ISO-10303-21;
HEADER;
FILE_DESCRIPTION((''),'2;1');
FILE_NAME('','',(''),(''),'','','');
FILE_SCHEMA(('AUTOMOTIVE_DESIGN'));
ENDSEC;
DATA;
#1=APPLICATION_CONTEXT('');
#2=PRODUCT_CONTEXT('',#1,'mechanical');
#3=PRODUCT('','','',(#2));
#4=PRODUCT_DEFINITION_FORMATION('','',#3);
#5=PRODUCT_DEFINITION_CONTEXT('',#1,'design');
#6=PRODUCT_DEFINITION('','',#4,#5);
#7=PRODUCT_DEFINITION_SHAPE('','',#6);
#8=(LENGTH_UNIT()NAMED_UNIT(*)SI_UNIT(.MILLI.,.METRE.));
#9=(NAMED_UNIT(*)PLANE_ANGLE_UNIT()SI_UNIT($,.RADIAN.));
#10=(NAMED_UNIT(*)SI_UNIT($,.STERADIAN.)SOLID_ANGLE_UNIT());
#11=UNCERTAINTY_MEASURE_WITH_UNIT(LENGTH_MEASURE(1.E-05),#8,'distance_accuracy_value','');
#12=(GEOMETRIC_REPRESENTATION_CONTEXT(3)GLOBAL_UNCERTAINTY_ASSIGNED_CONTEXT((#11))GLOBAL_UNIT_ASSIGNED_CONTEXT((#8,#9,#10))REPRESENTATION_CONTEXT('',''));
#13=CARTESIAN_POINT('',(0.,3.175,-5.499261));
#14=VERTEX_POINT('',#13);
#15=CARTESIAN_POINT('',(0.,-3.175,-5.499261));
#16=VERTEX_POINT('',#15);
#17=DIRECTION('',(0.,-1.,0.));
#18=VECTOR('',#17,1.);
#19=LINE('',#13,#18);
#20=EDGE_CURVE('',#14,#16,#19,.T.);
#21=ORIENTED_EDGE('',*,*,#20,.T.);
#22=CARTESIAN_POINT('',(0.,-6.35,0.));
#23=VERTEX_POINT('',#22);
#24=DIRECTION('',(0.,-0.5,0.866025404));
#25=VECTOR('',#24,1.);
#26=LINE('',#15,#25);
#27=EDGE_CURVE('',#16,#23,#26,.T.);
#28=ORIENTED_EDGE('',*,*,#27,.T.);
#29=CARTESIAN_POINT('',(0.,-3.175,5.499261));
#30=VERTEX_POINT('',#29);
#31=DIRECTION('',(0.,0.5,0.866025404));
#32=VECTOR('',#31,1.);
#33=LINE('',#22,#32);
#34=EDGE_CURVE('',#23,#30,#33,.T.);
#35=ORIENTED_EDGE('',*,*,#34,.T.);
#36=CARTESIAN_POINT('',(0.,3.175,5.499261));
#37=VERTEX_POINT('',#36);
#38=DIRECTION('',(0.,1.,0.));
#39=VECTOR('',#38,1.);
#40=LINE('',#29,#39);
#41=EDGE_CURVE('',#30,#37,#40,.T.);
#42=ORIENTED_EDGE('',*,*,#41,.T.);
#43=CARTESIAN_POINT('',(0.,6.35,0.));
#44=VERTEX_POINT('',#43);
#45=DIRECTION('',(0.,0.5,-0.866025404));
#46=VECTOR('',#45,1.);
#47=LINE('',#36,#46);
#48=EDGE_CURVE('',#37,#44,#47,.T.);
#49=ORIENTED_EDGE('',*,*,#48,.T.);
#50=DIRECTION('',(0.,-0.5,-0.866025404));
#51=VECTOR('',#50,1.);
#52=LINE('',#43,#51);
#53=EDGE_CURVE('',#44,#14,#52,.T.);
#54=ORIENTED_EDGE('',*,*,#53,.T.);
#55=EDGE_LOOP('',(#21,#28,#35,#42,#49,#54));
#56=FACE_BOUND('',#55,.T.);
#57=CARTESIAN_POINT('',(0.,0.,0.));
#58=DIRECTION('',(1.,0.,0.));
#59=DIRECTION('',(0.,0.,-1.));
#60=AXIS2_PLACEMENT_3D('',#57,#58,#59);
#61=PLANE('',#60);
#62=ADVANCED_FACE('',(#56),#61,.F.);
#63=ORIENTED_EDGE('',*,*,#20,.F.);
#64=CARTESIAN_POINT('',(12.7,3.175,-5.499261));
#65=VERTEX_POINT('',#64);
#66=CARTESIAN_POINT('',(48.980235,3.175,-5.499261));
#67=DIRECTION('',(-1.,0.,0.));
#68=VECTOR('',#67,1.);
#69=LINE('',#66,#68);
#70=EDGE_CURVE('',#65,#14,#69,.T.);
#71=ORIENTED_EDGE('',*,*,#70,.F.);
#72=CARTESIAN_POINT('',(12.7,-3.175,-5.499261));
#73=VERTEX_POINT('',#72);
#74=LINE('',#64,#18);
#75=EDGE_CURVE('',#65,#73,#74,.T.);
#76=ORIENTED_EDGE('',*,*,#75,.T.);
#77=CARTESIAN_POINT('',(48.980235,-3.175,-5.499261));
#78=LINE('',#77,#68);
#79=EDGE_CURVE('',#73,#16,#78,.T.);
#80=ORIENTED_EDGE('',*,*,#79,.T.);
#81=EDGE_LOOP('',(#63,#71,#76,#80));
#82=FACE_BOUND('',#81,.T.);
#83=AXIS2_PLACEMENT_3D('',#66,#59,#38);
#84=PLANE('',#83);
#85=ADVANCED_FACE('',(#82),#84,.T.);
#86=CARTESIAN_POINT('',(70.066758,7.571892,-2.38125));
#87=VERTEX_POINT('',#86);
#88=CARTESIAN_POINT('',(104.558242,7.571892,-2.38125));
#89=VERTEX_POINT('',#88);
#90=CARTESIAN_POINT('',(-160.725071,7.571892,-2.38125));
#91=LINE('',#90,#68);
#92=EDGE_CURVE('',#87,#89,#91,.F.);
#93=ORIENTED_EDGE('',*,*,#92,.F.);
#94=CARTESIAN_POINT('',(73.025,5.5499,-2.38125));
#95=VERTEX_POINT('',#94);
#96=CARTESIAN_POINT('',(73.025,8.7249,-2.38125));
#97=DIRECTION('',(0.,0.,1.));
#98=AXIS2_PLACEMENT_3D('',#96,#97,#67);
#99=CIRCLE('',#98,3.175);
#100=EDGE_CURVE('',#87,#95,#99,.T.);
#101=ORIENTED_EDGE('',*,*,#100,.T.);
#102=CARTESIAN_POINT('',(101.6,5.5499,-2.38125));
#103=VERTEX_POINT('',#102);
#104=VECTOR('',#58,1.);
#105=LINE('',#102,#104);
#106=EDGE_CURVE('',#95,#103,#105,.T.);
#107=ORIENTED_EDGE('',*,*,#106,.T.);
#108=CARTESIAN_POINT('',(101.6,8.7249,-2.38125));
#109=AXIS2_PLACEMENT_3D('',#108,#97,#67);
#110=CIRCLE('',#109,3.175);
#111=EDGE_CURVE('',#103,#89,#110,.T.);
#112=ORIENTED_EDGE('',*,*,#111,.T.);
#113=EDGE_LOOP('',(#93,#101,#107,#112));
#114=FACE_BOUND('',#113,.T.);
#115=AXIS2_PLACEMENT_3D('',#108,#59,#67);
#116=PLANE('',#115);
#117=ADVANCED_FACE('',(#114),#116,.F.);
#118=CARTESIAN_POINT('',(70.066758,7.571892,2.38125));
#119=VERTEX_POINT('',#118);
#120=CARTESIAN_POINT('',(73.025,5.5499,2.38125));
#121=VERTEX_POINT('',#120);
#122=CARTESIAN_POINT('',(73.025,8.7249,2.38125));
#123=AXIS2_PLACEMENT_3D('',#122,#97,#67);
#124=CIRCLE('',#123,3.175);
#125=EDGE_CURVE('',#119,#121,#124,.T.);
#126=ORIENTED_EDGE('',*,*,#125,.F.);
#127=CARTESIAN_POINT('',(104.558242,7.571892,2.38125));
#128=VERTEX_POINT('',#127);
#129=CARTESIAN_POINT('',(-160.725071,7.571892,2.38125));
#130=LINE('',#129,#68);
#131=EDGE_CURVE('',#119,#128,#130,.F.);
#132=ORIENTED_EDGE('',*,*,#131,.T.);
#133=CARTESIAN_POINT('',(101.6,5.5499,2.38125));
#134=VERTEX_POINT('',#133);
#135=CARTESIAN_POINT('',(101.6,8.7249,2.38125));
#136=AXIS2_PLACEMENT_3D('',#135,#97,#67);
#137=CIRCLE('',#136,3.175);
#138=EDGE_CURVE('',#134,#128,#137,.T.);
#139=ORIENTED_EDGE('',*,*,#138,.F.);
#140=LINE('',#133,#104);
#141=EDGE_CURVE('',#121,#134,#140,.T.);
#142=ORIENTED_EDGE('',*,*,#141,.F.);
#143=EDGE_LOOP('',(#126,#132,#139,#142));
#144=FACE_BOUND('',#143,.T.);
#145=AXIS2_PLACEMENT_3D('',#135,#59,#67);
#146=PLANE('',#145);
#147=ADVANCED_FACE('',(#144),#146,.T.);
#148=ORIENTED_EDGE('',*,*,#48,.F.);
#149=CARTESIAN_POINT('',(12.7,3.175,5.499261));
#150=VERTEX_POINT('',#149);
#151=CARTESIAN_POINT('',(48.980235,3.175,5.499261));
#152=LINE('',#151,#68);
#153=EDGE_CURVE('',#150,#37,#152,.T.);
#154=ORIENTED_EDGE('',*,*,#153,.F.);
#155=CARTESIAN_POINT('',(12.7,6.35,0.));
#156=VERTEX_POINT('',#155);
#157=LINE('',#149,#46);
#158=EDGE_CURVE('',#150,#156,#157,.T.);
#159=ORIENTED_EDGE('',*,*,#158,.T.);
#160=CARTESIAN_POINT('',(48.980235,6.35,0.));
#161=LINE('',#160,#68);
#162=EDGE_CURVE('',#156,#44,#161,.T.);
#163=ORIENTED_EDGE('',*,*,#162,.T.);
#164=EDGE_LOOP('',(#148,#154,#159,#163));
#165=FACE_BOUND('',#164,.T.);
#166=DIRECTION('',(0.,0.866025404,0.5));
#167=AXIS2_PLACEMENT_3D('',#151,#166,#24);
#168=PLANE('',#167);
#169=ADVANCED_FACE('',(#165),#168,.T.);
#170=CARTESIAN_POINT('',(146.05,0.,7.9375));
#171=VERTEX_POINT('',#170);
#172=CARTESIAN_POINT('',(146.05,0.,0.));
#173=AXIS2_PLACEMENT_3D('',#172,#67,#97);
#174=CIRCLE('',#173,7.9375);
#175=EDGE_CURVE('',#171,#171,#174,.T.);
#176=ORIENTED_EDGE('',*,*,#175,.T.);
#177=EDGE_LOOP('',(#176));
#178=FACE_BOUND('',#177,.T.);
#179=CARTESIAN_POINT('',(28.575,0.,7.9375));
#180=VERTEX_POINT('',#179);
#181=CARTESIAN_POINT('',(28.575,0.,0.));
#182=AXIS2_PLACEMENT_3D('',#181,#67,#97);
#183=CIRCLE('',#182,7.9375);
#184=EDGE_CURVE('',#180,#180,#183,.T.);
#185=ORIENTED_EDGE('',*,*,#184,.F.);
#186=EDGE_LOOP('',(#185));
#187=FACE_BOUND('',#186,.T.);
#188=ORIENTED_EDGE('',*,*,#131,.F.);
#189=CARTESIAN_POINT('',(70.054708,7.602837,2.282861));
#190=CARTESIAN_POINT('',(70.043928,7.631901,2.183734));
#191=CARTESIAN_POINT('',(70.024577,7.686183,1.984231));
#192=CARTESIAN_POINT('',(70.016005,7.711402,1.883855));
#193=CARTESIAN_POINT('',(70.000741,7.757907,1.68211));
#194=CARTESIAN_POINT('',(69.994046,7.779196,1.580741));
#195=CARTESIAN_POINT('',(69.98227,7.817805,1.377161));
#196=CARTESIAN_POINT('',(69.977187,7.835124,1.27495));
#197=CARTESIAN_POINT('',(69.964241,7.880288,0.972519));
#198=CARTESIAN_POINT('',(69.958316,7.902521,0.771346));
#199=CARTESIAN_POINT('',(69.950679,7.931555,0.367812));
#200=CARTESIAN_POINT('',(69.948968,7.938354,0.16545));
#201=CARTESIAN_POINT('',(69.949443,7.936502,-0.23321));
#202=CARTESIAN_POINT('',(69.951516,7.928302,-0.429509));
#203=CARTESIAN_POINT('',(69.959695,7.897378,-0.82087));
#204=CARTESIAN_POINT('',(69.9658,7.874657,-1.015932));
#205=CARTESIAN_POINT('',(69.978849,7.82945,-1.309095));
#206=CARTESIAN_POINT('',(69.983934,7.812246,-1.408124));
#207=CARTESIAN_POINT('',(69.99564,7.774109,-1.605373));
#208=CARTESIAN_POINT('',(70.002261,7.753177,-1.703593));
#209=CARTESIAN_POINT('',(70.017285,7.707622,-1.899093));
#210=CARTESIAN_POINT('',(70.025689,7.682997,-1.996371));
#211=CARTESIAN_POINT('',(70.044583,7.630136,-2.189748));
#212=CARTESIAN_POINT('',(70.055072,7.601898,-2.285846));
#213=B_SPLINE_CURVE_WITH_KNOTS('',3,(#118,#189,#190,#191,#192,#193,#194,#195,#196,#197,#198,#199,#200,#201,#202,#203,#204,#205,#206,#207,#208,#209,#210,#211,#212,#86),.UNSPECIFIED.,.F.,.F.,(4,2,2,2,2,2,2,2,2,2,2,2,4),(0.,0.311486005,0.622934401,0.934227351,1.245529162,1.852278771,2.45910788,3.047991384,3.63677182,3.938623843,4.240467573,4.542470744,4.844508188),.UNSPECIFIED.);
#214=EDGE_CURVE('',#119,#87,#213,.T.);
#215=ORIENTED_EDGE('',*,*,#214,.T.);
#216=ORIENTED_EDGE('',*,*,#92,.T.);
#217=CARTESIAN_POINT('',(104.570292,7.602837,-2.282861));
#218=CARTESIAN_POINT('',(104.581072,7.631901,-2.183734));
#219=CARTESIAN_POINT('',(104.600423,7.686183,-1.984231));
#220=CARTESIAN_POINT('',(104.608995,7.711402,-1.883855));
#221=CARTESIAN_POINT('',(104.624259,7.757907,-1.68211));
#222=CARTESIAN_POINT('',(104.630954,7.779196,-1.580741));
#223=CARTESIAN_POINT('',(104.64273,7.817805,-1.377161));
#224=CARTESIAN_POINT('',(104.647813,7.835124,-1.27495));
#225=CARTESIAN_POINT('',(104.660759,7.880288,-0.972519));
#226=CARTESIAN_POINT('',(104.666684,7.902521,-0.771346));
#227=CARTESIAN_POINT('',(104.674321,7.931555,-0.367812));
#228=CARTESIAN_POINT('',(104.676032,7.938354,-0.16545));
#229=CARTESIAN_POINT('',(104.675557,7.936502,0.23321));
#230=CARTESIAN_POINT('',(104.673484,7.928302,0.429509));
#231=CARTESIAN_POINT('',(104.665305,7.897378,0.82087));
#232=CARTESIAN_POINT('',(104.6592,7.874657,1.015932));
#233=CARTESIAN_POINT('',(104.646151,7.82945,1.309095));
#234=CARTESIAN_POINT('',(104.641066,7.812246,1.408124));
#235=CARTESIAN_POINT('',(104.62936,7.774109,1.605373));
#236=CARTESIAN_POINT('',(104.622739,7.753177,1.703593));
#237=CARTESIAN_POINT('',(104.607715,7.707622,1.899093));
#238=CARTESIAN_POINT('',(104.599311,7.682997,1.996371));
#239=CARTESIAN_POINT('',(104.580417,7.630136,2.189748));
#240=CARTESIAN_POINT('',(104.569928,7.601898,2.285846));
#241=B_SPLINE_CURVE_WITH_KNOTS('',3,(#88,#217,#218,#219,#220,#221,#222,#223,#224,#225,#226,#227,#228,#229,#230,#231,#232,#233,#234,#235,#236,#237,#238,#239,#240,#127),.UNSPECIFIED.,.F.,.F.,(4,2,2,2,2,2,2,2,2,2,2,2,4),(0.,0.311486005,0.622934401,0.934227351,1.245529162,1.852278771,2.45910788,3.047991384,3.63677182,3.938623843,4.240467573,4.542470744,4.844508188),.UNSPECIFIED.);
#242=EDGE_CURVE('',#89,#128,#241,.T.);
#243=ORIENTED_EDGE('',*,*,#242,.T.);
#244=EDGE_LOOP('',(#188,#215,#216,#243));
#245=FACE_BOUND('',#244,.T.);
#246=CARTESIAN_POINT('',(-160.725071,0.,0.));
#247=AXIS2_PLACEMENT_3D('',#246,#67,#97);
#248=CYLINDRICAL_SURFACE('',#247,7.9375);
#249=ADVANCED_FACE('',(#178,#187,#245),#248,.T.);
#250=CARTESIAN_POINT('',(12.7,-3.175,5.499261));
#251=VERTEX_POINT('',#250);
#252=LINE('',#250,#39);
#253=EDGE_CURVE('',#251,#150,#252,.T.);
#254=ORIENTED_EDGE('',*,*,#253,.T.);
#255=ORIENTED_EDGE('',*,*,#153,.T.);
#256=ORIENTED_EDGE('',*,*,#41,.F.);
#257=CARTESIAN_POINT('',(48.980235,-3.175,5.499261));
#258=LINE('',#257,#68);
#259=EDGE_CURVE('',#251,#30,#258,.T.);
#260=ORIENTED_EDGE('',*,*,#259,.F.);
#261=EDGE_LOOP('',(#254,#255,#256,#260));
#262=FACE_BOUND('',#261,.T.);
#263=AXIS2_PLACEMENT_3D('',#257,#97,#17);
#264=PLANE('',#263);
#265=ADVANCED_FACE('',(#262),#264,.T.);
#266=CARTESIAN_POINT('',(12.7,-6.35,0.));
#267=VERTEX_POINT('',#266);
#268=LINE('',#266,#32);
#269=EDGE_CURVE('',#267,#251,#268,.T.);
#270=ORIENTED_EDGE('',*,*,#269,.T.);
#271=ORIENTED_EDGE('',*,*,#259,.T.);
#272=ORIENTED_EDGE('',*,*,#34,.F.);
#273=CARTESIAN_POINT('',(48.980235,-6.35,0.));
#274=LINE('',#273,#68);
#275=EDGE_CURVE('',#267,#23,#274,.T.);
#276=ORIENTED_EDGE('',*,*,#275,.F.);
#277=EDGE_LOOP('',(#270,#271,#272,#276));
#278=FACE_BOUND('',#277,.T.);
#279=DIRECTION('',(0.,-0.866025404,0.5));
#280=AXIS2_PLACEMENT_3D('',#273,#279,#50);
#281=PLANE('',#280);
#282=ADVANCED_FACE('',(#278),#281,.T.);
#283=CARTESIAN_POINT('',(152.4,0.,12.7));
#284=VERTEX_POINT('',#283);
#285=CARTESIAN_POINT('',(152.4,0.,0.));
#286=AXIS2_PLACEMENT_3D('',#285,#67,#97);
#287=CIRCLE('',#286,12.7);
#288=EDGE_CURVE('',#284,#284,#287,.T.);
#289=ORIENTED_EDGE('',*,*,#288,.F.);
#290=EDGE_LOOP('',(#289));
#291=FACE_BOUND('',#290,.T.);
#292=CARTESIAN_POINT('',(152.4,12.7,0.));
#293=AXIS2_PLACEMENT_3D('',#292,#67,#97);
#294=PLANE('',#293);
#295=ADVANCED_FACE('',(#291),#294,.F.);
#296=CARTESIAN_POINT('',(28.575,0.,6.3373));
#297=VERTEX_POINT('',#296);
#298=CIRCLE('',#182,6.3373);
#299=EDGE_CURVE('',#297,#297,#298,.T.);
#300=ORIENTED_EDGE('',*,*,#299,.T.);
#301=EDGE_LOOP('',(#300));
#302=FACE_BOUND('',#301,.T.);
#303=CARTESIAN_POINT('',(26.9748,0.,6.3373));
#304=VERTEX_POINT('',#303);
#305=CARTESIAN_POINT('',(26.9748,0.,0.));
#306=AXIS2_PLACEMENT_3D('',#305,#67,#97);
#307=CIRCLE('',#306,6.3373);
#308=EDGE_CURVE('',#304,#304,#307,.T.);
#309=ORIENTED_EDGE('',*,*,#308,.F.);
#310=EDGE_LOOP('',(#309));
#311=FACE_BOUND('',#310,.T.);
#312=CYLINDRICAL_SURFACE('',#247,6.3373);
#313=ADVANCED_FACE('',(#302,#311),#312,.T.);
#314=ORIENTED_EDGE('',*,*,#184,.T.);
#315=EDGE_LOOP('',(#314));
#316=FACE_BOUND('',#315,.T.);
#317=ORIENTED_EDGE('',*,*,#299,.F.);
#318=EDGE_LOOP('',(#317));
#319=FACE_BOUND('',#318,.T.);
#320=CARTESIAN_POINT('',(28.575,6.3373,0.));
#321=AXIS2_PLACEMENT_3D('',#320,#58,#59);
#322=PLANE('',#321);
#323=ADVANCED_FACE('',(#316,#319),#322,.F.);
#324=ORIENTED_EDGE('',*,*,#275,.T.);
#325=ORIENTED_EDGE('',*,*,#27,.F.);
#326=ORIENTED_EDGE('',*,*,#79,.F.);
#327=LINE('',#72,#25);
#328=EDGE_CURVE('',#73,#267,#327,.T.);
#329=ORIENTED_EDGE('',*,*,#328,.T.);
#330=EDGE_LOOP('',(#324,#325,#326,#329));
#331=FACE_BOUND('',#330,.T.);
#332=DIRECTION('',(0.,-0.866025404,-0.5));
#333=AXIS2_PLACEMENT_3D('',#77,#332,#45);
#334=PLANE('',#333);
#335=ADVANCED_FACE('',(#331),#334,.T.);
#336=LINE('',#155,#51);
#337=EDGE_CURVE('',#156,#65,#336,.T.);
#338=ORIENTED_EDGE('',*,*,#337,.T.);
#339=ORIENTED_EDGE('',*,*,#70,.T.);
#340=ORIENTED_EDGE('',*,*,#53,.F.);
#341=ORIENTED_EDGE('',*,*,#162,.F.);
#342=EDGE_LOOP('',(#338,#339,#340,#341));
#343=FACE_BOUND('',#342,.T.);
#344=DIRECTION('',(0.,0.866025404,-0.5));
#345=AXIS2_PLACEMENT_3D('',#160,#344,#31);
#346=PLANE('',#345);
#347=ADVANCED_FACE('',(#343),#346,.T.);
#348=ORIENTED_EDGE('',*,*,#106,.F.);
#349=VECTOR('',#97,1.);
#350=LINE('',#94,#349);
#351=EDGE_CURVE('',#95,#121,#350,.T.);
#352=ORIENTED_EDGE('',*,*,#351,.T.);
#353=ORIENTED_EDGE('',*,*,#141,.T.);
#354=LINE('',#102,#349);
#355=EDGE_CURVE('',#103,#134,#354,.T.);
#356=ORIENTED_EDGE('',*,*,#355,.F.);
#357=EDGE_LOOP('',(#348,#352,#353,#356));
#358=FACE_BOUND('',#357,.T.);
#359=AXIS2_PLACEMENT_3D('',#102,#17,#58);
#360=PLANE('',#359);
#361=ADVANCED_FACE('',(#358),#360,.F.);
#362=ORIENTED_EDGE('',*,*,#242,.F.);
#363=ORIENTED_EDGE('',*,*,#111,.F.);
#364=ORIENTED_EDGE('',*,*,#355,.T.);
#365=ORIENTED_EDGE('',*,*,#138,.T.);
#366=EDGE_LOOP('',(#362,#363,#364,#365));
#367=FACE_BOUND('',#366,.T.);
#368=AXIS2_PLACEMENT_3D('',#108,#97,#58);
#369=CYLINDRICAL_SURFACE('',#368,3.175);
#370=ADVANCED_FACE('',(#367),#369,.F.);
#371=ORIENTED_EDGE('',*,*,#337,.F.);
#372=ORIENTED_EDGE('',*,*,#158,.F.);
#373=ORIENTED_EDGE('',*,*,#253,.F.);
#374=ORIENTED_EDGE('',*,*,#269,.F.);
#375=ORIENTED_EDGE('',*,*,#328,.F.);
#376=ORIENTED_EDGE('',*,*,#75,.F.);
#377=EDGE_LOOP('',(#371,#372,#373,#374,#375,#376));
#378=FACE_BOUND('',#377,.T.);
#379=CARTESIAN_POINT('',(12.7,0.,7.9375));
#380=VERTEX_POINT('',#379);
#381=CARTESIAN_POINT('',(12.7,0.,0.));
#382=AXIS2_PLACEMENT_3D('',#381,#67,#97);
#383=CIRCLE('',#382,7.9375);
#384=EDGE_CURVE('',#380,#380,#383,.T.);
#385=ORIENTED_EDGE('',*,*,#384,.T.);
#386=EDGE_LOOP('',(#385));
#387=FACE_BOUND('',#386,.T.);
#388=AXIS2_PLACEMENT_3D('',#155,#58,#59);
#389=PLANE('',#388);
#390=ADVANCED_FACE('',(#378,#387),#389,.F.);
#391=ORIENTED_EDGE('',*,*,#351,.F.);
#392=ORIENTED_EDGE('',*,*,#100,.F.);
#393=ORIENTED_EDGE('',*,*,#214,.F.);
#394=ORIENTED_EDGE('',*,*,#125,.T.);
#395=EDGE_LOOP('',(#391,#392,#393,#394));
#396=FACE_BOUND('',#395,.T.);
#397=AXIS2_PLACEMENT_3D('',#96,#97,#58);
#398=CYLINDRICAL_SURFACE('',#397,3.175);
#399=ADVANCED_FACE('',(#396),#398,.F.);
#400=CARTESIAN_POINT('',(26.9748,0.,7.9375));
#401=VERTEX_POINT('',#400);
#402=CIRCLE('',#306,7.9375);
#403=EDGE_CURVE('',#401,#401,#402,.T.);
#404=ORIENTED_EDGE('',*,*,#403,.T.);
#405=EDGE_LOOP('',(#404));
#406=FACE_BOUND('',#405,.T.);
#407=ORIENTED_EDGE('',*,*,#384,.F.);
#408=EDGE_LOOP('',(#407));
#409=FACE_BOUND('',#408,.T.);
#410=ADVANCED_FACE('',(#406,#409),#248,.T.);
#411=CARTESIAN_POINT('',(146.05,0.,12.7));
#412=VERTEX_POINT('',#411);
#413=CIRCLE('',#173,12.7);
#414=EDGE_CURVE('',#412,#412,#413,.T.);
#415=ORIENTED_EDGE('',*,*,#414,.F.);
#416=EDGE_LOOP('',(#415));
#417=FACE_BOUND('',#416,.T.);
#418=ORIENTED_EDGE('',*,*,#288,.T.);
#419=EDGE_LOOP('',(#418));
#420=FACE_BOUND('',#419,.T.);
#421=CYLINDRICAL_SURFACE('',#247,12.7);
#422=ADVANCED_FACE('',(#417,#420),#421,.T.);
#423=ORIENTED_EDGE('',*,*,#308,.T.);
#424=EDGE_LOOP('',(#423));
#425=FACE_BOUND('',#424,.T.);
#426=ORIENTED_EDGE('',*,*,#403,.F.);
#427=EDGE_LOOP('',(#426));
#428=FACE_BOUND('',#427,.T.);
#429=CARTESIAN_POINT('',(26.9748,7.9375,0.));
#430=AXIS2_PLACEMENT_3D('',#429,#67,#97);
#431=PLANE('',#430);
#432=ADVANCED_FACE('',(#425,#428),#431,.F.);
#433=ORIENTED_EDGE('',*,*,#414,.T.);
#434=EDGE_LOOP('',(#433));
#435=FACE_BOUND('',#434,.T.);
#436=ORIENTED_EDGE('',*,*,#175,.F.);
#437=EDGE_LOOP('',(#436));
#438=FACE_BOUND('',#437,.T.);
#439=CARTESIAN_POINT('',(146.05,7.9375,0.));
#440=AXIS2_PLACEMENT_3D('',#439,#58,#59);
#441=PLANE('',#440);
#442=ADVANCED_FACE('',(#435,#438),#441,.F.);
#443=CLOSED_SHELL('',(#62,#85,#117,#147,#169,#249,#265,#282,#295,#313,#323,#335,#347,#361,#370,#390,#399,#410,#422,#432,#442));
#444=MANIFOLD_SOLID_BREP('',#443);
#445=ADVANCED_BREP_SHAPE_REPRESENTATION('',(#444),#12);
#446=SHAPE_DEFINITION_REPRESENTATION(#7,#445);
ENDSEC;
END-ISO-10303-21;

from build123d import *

# Parameters (mm, degrees)
CUT_EXTRUDE1_DEPTH = 2.38125
SKETCH6_OUTSIDE_W  = 58.716
SKETCH6_OUTSIDE_H  = 58.716
CUT_EXTRUDE2_DEPTH = 12.7


with BuildPart() as part:
    # Sketch2 → Revolve1 (revolve)
    with BuildSketch(Plane.XY, mode=Mode.PRIVATE) as revolve1_sk:
        Polygon((0, 0), (0, 6.35), (12.7, 6.35), (12.7, 7.9375), (26.9748, 7.9375), (26.9748, 6.3373), (28.575, 6.3373), (28.575, 7.9375), (146.05, 7.9375), (146.05, 12.7), (152.4, 12.7), (152.4, 0), align=None)
    revolve(revolve1_sk.sketch.rotate(Axis((-160.725070543, 0, 0), (1, 0, 0)), 90), axis=Axis((-160.725070543, 0, 0), (1, 0, 0)))

    # Sketch3 → Cut-Extrude1 (cut, symmetric)
    with BuildSketch(Plane.XY):
        with BuildLine():
            Line((69.85, 14.2875), (104.775, 14.2875))
            Line((104.775, 14.2875), (104.775, 8.7249))
            ThreePointArc((104.775, 8.7249), (103.84506403, 6.47983597), (101.6, 5.5499))
            Line((101.6, 5.5499), (73.025, 5.5499))
            ThreePointArc((73.025, 5.5499), (70.77993597, 6.47983597), (69.85, 8.7249))
            Line((69.85, 8.7249), (69.85, 14.2875))
        make_face()
    extrude(amount=CUT_EXTRUDE1_DEPTH, both=True, mode=Mode.SUBTRACT)

    # Sketch6 outside → Cut-Extrude2 (cut)
    with BuildSketch(Plane.ZY):
        Rectangle(SKETCH6_OUTSIDE_W, SKETCH6_OUTSIDE_H)
        Polygon((0, 6.35), (-5.499261314, 3.175), (-5.499261314, -3.175), (0, -6.35), (5.499261314, -3.175), (5.499261314, 3.175), align=None, mode=Mode.SUBTRACT)
    extrude(amount=-CUT_EXTRUDE2_DEPTH, mode=Mode.SUBTRACT)


solid = part.part
